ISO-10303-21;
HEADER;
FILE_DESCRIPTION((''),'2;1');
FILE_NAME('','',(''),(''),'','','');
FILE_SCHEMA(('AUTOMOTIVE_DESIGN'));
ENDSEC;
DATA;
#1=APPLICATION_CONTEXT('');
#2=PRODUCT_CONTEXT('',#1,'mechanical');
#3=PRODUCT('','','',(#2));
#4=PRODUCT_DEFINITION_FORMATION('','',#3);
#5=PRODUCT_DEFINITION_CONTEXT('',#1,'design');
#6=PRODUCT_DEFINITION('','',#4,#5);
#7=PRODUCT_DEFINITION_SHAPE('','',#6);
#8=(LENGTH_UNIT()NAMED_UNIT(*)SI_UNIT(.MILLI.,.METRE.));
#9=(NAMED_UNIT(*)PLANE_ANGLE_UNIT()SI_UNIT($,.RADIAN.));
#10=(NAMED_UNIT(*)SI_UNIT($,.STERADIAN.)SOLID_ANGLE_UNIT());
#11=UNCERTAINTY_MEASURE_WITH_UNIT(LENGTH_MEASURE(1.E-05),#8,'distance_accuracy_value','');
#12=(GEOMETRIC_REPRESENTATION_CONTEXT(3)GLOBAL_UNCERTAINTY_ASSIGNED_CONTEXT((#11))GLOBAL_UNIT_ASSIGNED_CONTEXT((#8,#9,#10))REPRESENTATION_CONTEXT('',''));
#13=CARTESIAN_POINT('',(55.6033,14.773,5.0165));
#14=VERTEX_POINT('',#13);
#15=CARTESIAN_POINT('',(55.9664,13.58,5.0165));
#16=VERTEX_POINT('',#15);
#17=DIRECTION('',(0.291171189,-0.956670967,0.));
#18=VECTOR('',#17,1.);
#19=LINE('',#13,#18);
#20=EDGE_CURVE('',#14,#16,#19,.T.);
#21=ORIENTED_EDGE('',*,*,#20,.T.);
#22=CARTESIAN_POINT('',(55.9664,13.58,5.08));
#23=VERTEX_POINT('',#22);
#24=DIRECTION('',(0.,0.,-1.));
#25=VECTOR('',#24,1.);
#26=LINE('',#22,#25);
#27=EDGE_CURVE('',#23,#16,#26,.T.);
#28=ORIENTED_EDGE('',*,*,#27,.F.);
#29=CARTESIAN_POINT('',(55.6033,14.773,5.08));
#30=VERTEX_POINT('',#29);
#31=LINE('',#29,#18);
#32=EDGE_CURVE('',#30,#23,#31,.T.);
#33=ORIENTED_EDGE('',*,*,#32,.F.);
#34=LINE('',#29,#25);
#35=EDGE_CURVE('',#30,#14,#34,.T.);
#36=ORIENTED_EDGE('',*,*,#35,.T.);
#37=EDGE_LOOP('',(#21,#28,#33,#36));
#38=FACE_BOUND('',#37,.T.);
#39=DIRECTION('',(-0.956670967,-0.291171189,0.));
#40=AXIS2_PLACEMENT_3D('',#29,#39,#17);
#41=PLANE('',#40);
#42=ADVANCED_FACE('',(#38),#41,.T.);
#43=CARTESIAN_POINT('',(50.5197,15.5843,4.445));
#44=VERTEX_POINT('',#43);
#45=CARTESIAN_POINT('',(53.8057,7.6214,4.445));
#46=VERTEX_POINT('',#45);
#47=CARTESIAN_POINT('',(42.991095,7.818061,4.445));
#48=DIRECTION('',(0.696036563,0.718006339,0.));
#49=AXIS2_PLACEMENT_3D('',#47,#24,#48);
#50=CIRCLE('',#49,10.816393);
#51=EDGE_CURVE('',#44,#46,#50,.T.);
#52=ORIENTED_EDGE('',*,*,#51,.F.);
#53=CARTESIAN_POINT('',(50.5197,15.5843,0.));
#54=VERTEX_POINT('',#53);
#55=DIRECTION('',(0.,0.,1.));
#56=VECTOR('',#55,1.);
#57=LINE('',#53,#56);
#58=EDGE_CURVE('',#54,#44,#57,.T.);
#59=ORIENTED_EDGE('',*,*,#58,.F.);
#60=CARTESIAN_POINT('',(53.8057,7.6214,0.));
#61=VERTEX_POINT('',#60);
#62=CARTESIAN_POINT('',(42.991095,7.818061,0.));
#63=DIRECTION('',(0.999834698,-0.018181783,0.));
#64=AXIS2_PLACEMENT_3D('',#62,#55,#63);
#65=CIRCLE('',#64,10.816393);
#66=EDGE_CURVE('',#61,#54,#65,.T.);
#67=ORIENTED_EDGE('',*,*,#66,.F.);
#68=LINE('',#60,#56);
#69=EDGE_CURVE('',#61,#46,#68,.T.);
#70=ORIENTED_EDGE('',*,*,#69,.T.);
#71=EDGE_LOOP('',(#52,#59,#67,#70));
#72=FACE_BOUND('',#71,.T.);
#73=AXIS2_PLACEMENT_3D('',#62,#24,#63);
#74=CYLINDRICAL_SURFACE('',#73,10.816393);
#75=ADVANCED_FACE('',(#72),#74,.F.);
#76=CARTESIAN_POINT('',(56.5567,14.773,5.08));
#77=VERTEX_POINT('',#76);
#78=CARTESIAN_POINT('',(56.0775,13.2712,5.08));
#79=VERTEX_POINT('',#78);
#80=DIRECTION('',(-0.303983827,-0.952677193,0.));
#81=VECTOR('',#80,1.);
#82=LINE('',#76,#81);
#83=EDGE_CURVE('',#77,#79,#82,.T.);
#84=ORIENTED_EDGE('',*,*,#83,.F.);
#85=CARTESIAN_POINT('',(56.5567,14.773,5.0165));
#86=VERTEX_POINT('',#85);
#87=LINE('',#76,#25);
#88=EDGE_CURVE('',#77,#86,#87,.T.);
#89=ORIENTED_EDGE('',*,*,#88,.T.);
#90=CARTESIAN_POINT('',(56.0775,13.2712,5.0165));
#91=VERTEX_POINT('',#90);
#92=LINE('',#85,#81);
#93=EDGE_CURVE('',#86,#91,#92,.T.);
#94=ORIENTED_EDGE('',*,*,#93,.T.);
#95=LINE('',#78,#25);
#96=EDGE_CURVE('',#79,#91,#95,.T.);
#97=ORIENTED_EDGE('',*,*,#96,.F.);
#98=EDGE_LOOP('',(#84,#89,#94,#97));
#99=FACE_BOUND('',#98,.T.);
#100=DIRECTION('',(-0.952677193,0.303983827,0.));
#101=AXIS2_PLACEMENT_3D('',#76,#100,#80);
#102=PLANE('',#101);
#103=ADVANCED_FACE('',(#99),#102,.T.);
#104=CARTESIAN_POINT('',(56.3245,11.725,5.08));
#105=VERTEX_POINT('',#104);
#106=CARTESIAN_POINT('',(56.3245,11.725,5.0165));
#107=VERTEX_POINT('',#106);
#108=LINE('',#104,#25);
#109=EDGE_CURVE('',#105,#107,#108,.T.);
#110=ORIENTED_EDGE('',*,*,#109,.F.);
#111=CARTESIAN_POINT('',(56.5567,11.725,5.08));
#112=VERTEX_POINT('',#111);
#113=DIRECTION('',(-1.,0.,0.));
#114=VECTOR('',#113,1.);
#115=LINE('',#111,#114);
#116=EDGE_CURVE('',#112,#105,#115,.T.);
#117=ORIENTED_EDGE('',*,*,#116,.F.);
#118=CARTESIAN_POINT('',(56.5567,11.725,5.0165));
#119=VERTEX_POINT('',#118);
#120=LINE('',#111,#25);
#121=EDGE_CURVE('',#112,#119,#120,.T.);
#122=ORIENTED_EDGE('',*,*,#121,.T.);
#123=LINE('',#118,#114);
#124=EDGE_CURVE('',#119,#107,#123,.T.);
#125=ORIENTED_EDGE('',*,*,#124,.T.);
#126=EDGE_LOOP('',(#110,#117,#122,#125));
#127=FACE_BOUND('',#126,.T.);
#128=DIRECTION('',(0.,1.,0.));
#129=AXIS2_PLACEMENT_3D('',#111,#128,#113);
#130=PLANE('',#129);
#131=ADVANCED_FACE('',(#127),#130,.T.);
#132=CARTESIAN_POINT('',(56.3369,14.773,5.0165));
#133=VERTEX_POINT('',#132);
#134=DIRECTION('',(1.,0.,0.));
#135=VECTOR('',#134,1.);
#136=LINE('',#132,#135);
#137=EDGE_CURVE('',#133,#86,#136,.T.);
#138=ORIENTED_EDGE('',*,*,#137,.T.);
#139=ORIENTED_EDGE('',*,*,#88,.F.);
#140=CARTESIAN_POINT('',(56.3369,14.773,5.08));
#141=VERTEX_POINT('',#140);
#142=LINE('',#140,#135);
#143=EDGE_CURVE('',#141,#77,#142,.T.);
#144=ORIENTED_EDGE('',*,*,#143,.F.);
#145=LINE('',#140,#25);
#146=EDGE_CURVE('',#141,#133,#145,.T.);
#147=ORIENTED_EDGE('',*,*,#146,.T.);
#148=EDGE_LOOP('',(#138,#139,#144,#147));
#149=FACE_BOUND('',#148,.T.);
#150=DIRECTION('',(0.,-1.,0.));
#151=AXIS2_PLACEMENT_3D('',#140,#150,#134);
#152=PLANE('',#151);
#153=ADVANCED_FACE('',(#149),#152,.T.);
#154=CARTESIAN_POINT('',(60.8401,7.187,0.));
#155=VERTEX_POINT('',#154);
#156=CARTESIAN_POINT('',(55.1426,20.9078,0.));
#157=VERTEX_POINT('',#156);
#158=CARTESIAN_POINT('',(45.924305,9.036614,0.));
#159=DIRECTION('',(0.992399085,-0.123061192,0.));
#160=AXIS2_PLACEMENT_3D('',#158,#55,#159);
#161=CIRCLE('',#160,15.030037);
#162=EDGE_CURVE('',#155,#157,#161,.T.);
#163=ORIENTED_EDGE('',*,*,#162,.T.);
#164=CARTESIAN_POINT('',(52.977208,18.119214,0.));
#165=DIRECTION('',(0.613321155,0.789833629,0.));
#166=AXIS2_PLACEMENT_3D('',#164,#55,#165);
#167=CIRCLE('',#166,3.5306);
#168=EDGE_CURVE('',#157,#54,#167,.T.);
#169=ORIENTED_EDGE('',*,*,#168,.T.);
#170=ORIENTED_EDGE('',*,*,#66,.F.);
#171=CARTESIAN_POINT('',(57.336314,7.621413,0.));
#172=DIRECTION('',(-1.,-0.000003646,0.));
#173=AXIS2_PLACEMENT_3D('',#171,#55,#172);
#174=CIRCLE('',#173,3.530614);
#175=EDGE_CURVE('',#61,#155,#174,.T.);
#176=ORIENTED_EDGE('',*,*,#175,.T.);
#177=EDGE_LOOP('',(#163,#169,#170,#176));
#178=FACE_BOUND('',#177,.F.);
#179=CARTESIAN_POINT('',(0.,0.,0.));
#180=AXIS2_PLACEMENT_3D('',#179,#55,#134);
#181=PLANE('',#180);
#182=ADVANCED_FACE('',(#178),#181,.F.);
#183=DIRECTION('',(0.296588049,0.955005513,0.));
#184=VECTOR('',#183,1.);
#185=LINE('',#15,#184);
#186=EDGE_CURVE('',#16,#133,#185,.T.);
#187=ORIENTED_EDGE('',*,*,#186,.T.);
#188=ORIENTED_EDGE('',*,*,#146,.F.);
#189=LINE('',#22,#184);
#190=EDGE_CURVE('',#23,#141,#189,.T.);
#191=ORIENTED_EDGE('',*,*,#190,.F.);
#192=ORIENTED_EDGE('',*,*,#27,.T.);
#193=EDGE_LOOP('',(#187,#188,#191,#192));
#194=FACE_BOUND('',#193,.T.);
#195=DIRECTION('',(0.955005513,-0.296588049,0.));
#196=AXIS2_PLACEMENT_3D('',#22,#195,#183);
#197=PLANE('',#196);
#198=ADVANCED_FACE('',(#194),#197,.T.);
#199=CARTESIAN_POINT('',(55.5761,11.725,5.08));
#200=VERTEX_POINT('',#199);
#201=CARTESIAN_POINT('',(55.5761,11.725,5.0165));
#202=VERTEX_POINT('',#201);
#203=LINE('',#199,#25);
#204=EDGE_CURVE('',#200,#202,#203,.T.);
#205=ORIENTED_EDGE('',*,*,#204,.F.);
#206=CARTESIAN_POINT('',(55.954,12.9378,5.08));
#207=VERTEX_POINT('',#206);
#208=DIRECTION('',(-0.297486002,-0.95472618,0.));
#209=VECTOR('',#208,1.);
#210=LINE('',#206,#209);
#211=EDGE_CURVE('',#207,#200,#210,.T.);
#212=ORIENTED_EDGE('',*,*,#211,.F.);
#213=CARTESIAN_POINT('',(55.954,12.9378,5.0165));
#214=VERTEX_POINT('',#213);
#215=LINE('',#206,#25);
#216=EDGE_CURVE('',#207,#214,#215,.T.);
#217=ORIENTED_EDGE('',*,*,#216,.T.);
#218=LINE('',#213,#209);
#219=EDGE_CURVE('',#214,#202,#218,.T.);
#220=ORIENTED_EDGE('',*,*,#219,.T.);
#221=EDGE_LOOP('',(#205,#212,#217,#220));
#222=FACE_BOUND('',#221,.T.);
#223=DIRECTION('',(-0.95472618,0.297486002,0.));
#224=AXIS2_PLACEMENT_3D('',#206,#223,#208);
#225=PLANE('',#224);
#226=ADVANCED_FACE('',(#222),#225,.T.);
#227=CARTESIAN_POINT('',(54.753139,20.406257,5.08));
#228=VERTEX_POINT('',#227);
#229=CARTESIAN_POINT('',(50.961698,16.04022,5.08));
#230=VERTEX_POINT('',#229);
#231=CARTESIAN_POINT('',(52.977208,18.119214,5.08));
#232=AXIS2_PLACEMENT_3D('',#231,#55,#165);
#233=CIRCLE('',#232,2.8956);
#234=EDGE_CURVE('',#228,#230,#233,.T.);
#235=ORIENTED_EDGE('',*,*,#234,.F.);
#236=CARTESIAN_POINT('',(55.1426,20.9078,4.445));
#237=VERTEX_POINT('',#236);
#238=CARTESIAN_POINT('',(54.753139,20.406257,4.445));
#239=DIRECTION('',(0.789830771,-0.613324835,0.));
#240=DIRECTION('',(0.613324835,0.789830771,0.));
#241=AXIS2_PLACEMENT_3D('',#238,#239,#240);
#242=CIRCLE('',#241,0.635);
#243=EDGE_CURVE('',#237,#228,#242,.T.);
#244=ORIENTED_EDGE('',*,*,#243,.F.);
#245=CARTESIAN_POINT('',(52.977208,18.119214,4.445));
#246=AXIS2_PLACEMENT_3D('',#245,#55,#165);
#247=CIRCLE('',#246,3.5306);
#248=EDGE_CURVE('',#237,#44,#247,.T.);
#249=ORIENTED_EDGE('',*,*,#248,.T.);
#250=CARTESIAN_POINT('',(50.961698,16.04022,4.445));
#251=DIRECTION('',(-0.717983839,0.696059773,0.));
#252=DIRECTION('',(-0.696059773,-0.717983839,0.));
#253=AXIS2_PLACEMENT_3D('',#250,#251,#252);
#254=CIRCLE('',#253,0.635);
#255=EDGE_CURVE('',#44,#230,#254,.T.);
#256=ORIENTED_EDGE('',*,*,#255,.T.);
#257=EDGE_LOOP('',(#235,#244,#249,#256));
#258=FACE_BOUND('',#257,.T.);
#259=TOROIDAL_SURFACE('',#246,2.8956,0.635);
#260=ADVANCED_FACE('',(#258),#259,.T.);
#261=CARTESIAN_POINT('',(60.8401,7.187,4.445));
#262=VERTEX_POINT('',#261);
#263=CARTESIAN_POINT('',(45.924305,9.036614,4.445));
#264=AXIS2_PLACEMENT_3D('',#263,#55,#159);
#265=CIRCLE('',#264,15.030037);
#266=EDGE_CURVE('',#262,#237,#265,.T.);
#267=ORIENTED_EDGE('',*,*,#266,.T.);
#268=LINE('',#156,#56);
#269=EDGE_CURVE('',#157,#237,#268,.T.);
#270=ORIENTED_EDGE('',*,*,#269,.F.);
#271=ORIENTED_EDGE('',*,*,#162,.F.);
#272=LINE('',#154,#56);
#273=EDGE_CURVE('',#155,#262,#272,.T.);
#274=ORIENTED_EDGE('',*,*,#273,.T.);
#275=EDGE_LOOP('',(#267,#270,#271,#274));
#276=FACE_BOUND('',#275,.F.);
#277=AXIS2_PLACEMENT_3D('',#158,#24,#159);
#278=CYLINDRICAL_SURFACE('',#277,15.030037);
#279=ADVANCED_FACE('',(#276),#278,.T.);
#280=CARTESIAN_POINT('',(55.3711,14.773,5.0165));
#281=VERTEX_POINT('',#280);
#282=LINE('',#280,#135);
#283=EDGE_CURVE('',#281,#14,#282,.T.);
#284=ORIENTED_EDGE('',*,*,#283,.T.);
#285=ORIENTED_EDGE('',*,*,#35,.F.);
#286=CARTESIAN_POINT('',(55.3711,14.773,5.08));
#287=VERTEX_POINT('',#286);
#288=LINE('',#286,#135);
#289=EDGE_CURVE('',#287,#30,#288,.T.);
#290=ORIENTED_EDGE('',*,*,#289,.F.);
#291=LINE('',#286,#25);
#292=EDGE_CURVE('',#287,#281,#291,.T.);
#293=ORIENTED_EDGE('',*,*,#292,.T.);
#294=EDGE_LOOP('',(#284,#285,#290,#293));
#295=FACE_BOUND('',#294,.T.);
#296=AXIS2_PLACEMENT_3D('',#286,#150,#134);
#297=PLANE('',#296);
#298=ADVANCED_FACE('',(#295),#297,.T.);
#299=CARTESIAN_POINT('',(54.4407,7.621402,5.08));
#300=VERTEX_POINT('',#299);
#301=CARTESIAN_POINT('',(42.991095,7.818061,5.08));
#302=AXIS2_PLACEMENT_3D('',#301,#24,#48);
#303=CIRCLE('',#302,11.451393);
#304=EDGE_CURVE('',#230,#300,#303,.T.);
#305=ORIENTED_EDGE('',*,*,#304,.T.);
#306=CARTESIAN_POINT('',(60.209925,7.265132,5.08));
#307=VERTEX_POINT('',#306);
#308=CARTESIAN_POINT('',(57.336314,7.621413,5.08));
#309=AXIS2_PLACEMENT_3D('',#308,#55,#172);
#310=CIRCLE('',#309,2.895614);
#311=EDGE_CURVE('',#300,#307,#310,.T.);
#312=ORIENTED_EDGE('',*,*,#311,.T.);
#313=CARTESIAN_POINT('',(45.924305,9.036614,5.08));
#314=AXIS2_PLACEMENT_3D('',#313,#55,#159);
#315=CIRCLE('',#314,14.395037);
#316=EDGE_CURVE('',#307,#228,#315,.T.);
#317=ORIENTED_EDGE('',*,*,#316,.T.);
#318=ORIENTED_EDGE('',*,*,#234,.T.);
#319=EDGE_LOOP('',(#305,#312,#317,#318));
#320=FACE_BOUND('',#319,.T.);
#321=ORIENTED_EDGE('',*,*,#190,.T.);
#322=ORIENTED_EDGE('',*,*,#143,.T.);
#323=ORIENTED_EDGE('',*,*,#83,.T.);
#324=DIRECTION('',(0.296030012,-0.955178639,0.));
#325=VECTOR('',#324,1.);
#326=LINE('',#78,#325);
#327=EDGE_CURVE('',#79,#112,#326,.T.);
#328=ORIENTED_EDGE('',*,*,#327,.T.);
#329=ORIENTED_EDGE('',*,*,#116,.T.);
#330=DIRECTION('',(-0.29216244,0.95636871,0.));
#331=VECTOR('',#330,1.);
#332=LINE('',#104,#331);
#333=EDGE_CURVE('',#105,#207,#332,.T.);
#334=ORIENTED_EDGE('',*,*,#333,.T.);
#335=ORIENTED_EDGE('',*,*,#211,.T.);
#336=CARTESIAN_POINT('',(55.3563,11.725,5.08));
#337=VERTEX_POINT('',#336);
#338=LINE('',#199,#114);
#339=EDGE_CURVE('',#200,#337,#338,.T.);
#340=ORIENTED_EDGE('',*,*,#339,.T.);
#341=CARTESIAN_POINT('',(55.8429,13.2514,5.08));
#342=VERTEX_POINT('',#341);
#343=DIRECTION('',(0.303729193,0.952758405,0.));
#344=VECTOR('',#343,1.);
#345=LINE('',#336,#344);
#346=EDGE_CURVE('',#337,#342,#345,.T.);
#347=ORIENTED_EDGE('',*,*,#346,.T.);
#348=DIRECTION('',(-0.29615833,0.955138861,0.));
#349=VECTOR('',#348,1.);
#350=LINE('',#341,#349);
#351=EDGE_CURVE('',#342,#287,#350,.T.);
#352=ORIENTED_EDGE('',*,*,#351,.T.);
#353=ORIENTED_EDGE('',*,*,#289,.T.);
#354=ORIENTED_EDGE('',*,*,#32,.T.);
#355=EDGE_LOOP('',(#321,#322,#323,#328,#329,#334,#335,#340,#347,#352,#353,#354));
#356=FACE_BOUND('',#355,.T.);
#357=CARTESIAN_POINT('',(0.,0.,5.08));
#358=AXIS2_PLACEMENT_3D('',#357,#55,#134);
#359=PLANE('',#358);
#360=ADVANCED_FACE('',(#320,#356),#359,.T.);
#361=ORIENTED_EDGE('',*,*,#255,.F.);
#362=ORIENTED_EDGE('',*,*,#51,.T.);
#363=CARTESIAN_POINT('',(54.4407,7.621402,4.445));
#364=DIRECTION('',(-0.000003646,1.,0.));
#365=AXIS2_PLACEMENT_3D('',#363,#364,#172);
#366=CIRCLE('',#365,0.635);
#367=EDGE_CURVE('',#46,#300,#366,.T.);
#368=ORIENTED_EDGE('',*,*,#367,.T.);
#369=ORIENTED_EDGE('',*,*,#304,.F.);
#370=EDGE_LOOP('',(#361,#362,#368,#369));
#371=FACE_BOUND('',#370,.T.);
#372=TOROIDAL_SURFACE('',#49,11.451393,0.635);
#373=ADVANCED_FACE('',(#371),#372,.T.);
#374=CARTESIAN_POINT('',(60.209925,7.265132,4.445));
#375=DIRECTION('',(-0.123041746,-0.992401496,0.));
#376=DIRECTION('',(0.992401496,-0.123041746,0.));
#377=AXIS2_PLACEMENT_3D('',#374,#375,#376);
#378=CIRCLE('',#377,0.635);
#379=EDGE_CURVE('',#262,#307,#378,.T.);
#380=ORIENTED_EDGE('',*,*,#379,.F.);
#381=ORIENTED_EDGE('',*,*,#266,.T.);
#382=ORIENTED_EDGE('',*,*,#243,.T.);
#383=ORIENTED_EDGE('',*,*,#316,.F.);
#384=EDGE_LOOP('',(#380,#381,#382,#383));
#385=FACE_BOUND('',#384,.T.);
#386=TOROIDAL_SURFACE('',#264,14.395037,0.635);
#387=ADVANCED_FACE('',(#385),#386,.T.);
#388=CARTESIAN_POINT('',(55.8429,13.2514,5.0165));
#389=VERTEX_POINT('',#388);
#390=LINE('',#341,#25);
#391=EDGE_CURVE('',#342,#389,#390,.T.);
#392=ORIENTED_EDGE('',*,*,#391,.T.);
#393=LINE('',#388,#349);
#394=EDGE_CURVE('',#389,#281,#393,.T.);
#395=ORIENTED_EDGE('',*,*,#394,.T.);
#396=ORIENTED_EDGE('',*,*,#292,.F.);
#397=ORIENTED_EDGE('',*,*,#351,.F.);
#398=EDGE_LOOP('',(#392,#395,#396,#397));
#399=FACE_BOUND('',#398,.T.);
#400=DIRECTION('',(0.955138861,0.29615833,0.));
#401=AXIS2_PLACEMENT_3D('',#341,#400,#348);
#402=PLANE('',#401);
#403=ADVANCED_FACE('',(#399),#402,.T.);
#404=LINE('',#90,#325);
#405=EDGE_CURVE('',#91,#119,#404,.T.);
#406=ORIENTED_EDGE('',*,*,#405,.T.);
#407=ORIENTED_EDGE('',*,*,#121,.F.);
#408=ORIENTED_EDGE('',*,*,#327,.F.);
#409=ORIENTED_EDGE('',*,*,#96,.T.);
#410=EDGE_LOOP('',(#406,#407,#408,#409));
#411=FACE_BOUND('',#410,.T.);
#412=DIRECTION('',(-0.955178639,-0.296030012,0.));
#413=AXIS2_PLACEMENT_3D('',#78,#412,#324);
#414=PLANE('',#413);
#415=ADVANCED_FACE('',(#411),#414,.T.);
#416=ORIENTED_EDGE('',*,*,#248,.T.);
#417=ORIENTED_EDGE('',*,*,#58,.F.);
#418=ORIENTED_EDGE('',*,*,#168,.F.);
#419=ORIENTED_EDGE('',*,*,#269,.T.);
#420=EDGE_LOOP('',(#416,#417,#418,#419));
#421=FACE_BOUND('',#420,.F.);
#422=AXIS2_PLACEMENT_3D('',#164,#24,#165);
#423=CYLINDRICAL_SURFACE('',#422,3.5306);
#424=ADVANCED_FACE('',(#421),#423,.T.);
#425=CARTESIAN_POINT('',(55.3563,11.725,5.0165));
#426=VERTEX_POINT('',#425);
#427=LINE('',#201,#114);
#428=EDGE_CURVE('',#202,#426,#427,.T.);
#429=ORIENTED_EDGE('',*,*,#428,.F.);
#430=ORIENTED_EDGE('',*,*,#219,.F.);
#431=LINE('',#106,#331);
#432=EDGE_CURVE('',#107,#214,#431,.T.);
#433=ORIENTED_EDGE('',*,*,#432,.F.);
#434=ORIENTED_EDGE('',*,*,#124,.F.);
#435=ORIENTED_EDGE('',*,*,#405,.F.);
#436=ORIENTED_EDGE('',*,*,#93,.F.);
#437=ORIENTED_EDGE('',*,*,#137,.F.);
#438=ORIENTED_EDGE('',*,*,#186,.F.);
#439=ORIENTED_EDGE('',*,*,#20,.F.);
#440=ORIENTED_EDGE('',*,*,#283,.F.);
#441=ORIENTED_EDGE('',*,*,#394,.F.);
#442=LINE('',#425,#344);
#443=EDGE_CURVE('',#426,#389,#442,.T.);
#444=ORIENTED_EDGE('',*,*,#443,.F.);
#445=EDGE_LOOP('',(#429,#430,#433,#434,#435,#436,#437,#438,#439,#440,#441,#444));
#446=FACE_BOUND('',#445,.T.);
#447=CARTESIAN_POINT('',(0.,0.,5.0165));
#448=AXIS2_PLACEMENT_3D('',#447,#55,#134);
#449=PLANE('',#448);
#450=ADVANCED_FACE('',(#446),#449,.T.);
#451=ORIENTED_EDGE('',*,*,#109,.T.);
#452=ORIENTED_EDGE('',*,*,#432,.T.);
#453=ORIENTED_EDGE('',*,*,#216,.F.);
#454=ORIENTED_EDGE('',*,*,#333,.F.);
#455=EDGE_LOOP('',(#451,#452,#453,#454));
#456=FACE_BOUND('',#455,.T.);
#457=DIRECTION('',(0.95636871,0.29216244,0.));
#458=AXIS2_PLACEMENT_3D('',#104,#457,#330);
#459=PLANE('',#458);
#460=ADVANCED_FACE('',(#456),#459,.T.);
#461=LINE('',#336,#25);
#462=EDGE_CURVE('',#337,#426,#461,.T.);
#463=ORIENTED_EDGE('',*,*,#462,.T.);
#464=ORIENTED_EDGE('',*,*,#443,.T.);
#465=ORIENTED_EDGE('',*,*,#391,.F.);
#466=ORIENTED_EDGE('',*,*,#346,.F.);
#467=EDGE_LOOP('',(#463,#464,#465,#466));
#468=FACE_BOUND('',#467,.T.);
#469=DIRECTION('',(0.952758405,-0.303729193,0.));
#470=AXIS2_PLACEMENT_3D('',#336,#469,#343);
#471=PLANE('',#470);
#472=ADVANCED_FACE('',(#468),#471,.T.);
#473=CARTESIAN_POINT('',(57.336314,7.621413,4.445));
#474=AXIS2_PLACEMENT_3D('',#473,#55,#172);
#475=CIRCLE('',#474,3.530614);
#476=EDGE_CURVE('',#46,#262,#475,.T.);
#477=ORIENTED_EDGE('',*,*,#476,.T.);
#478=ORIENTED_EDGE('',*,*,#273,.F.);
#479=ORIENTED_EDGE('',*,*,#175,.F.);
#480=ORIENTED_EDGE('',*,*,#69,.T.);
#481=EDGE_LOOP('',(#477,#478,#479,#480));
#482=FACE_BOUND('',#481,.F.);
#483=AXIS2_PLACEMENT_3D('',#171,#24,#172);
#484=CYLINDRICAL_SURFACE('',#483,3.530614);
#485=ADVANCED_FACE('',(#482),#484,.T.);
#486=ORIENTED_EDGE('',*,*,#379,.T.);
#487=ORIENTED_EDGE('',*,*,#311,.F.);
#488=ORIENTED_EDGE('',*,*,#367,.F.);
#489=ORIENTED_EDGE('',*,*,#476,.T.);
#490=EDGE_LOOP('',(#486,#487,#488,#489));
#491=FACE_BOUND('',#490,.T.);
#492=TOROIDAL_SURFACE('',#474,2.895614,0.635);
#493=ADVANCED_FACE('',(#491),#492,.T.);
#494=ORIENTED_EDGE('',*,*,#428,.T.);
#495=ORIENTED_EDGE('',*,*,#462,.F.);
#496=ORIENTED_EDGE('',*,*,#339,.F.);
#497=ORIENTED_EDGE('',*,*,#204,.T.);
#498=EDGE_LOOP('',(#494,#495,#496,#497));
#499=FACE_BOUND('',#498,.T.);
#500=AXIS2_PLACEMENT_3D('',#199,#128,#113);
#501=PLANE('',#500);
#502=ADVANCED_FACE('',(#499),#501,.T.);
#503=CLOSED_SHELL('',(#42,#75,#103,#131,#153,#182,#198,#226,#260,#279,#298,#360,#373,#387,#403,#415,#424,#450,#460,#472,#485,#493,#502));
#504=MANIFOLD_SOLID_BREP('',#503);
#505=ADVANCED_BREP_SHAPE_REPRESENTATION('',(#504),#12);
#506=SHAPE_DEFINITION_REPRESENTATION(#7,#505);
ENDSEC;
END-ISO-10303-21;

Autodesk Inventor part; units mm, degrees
ref_plane "YZ Plane" through (0, 0, 0) normal (1, 0, 0) x (0, 1, 0)
ref_plane "XZ Plane" through (0, 0, 0) normal (0, 1, 0) x (-1, 0, 0)
ref_plane "XY Plane" through (0, 0, 0) normal (0, 0, 1) x (1, 0, 0)
sketch "Sketch1" plane through (0, 0, 0) normal (0, 0, 1) x (1, 0, 0)
  arc A0 (53.8057, 7.6214) -> (60.8401, 7.187) centre (57.3363, 7.6214) ccw
  arc A1 (55.1426, 20.9078) -> (50.5197, 15.5843) centre (52.9772, 18.1193) ccw
  arc A2 (53.8057, 7.6214) -> (50.5197, 15.5843) centre (42.9913, 7.8181) ccw
  arc A3 (60.8401, 7.187) -> (55.1426, 20.9078) centre (45.9242, 9.0366) ccw
  dimension "d3" = 7.0612
  dimension "d4" = 7.0612
extrude "Extrusion1" add sketch "Sketch1" along normal blind 5.08
fillet "Fillet1" radius 0.635 4 edges at (57.1187, 4.0975, 5.08) (50.3114, 20.4341, 5.08) (52.9896, 11.9441, 5.08) (59.8052, 14.8006, 5.08)
sketch "Sketch2" plane through (0, 0, 5.08) normal (0, 0, 1) x (1, 0, 0)
  line L0 (55.3489, 14.773) -> (60.8716, 14.773) construction
  line L1 (60.8716, 14.773) -> (60.8716, 8.0828) construction
  line L2 (60.8716, 8.0828) -> (55.3489, 8.0828) construction
  line L3 (55.3489, 8.0828) -> (55.3489, 14.773) construction
  line L4 (56.5567, 11.725) -> (56.3245, 11.725)
  line L5 (56.3245, 11.725) -> (55.954, 12.9378)
  line L6 (55.954, 12.9378) -> (55.5761, 11.725)
  line L7 (55.5761, 11.725) -> (55.3563, 11.725)
  line L8 (55.3563, 11.725) -> (55.8429, 13.2514)
  line L9 (55.8429, 13.2514) -> (55.3711, 14.773)
  line L10 (55.3711, 14.773) -> (55.6033, 14.773)
  line L11 (55.6033, 14.773) -> (55.9664, 13.58)
  line L12 (55.9664, 13.58) -> (56.3369, 14.773)
  line L13 (56.3369, 14.773) -> (56.5567, 14.773)
  line L14 (56.5567, 14.773) -> (56.0775, 13.2712)
  line L15 (56.0775, 13.2712) -> (56.5567, 11.725)
  point P0 (0, 0)
extrude "Extrusion2" cut sketch "Sketch2" against normal blind 0.0635
properties part number "X Button"
